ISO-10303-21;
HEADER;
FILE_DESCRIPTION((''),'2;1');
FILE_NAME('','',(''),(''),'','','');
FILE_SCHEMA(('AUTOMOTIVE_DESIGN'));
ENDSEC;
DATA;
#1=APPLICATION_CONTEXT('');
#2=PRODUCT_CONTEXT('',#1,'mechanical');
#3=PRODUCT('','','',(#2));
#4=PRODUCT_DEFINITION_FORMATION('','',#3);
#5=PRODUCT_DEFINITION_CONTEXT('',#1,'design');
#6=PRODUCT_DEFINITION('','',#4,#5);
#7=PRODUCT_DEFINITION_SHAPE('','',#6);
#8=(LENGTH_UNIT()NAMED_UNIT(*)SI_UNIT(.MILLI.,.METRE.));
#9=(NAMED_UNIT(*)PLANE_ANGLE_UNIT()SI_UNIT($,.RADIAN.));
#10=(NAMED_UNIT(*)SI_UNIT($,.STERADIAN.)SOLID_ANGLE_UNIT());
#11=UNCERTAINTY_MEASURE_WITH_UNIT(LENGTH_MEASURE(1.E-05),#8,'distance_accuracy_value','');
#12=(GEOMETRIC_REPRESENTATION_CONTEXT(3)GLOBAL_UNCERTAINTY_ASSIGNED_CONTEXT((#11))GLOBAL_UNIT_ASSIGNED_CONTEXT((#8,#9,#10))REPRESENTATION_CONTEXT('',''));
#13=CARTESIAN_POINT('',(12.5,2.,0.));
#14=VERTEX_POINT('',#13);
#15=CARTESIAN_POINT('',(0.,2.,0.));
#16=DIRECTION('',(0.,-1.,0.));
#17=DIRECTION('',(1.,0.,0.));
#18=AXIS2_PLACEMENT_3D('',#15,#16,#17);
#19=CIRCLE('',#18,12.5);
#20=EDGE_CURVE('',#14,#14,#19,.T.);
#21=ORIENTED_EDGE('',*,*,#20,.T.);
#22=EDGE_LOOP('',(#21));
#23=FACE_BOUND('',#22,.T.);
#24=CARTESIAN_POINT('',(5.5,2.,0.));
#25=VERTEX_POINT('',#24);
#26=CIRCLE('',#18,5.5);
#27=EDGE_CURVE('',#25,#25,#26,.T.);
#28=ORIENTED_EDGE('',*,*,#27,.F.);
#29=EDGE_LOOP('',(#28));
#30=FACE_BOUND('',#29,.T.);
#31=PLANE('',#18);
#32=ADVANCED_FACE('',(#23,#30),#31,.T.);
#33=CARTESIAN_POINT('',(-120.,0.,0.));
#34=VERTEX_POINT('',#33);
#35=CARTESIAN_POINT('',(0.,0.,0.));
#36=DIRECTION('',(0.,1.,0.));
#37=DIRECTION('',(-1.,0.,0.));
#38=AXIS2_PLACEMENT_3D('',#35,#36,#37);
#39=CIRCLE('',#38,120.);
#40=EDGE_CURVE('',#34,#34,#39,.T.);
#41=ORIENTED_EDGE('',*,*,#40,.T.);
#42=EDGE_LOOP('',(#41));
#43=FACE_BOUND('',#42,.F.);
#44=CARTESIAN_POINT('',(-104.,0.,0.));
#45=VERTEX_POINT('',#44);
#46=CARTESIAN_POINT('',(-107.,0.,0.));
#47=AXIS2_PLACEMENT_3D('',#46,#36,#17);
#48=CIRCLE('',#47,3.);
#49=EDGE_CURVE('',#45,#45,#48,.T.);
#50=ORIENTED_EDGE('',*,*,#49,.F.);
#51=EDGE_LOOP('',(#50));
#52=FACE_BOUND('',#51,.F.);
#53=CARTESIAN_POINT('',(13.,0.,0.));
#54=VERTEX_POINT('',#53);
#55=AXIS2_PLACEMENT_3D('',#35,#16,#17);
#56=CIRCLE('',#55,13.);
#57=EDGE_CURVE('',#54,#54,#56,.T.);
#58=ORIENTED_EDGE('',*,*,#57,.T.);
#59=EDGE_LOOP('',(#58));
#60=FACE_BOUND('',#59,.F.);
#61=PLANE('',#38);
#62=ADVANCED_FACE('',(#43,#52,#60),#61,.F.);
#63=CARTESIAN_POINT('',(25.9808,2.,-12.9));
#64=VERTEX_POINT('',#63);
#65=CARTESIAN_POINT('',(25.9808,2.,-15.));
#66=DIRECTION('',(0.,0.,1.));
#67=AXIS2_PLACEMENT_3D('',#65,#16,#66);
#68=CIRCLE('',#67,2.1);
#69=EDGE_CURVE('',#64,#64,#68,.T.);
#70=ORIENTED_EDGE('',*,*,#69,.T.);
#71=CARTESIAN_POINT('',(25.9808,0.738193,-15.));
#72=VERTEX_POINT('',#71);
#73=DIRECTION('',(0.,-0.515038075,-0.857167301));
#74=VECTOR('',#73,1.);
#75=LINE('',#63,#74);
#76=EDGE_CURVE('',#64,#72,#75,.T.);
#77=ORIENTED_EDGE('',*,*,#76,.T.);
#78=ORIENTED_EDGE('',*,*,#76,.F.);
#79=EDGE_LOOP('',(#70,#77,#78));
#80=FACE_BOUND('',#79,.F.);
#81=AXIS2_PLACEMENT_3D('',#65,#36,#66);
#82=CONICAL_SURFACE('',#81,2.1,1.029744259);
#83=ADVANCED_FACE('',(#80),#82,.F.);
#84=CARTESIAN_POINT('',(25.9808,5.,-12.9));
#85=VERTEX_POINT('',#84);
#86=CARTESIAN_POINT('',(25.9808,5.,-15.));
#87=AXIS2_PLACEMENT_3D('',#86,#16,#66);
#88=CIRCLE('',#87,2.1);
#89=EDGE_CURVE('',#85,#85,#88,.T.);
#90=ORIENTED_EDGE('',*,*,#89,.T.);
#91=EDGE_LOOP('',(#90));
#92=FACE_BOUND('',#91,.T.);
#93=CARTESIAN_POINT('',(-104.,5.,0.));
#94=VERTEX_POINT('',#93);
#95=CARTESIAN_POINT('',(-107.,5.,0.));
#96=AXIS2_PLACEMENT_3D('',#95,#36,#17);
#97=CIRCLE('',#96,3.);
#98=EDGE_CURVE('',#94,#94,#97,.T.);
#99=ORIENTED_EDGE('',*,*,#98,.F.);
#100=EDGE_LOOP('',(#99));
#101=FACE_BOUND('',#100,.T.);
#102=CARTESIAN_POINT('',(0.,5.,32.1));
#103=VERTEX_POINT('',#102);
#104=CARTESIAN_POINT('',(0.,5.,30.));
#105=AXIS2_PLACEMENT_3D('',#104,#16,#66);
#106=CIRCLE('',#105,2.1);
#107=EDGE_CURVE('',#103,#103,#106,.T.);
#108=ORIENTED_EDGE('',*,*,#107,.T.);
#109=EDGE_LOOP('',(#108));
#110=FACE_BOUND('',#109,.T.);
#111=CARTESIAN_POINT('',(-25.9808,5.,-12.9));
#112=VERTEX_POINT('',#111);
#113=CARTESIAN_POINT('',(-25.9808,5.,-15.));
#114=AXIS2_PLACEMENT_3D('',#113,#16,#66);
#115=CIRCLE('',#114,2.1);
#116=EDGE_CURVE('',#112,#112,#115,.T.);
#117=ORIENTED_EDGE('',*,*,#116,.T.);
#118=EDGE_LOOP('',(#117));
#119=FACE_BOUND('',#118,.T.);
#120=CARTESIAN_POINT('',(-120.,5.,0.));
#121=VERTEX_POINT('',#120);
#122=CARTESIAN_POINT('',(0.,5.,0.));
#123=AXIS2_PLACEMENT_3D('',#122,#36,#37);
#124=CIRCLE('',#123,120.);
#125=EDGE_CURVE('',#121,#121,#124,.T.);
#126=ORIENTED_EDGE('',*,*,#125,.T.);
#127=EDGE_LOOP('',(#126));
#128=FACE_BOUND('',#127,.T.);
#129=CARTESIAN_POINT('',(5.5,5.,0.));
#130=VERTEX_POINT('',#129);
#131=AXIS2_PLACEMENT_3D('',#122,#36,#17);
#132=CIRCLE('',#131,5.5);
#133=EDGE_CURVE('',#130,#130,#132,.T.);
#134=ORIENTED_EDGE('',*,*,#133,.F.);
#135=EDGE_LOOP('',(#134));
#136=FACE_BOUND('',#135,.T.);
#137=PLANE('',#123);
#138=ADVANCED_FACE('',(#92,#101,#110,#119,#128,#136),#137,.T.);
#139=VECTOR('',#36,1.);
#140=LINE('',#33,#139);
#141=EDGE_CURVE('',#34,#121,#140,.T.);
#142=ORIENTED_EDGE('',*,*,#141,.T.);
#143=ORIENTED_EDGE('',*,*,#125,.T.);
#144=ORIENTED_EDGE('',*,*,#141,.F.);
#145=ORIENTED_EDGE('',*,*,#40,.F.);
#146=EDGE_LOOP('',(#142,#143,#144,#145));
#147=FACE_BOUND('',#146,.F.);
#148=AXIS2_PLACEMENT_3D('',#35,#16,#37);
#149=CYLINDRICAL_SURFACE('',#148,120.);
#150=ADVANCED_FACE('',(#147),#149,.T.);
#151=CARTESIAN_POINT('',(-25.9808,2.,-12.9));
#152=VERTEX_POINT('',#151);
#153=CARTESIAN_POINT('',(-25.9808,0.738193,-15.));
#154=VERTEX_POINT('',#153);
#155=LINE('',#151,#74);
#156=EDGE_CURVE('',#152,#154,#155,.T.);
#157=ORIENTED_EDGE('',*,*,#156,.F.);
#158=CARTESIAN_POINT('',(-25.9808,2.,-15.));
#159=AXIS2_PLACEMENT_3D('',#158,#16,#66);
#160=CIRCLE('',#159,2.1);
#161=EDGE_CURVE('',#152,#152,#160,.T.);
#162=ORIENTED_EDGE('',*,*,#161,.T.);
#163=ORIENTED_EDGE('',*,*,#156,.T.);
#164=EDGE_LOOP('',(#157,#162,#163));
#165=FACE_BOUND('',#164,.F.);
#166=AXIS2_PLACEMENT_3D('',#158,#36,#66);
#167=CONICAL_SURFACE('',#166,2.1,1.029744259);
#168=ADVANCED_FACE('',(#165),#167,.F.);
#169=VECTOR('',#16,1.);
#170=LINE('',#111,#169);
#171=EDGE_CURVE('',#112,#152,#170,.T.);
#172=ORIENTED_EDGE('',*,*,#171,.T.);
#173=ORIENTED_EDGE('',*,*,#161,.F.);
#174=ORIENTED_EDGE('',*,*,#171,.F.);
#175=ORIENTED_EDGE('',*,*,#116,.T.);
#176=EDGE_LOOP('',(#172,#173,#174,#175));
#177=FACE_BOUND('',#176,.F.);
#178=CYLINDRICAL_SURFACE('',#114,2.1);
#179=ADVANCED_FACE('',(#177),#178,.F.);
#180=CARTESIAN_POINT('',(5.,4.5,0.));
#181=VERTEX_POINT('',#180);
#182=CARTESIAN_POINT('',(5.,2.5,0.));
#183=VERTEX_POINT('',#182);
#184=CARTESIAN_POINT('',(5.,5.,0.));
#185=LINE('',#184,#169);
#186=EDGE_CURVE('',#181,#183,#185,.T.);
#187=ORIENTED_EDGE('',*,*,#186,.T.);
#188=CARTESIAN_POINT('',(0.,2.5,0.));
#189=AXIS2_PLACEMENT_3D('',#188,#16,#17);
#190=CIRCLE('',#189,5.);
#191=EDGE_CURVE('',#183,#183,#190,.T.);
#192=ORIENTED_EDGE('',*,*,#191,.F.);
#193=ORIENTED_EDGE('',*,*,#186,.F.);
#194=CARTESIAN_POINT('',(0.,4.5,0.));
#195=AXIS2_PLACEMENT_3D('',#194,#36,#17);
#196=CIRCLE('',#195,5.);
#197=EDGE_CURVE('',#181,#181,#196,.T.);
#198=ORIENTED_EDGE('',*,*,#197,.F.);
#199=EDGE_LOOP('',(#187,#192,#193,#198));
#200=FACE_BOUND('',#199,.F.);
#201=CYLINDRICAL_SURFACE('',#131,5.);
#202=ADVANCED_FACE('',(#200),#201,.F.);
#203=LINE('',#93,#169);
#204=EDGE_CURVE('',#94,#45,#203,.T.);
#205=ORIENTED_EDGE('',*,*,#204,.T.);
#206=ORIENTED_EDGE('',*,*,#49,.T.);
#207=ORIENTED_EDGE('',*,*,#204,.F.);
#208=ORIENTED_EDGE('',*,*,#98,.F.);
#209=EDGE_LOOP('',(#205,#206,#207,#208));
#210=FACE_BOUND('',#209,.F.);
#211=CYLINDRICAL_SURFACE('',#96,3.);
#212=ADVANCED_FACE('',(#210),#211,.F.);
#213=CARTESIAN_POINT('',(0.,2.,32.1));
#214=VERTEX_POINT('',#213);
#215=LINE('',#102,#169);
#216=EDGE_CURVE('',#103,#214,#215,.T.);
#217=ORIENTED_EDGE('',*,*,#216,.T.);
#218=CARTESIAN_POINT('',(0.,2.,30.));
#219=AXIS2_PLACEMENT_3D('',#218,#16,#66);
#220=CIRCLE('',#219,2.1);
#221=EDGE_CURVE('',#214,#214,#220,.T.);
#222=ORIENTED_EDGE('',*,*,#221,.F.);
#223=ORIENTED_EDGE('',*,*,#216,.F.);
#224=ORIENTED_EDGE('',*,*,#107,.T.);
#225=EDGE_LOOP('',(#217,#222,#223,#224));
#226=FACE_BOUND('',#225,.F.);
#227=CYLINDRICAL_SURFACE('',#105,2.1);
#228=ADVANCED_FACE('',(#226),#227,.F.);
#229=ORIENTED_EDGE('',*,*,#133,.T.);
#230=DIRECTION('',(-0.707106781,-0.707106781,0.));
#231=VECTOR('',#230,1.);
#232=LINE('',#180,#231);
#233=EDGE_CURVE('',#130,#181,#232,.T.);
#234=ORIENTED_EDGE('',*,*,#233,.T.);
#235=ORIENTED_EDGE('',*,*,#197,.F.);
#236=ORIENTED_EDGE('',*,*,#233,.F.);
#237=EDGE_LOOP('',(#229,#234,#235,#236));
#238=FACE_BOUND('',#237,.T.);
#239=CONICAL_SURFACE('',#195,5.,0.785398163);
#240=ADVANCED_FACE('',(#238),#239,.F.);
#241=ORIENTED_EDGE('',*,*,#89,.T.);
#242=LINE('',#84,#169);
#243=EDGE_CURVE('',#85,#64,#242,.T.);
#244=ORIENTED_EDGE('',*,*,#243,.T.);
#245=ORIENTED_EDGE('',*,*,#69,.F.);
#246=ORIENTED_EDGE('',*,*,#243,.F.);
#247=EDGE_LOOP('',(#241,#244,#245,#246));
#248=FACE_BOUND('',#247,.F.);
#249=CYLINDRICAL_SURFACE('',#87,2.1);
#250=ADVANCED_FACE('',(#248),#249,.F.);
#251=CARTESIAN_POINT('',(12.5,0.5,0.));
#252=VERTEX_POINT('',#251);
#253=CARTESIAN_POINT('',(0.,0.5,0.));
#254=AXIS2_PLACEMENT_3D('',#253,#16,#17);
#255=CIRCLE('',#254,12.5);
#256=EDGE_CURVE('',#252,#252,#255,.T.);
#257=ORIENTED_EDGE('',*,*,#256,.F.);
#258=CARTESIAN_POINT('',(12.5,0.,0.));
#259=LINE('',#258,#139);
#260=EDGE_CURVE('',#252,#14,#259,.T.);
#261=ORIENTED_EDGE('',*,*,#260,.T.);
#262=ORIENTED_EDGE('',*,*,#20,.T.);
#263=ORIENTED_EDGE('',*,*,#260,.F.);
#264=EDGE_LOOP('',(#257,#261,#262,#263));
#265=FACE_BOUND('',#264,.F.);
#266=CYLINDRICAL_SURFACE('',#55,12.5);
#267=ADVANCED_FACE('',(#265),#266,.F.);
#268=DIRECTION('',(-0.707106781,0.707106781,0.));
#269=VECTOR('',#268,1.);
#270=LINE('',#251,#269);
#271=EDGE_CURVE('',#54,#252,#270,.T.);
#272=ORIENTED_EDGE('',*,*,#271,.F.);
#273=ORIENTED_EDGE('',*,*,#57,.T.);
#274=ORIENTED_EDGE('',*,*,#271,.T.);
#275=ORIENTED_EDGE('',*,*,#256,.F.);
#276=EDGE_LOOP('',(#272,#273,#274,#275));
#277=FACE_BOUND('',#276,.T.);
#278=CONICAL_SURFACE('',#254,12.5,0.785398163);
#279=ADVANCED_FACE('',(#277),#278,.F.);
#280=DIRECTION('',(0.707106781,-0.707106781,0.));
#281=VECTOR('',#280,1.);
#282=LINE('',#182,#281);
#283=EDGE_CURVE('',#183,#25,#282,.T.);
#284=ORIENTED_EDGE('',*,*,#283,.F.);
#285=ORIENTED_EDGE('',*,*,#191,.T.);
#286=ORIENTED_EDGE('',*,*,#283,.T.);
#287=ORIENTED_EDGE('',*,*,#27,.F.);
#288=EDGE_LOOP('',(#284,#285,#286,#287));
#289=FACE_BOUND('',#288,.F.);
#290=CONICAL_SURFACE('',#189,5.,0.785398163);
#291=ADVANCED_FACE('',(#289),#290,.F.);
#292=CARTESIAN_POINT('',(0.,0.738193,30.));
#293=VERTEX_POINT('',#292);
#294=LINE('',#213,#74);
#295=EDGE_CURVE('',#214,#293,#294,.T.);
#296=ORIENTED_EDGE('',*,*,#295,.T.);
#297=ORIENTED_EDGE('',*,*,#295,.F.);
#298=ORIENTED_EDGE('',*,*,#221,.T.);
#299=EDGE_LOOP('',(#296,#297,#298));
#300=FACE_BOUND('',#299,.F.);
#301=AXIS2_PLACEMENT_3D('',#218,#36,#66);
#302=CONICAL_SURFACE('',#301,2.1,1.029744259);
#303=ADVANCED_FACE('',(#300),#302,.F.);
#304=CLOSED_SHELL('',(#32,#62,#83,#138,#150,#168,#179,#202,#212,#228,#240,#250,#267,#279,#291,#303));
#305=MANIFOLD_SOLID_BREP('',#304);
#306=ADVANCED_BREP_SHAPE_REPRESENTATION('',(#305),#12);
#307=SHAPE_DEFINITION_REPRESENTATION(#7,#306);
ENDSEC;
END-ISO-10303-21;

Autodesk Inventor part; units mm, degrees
ref_plane "YZ Plane" through (0, 0, 0) normal (1, 0, 0) x (0, 1, 0)
ref_plane "XZ Plane" through (0, 0, 0) normal (0, 1, 0) x (-1, 0, 0)
ref_plane "XY Plane" through (0, 0, 0) normal (0, 0, 1) x (1, 0, 0)
sketch "Esquisse1" plane through (0, 0, 0) normal (0, 1, 0) x (-1, 0, 0)
  circle A0 centre (0, 0) radius 5 construction
  circle A1 centre (0, 0) radius 120
  dimension "d0" = 10
  dimension "d39" = 240
extrude "Extrusion1" add sketch "Esquisse1" along normal blind 5
sketch "Esquisse2" plane through (0, 5, 0) normal (0, 1, 0) x (1, 0, 0)
  circle A0 centre (0, 0) radius 5
  dimension "d5" = 10
extrude "Extrusion2" cut sketch "Esquisse2" against normal up to surface (5 mm away)
sketch "Esquisse3" plane through (0, 0, 0) normal (0, -1, 0) x (1, 0, 0)
  circle A0 centre (0, 0) radius 5 projected
  circle A1 centre (0, 0) radius 12.5
  dimension "d8" = 25
extrude "Extrusion3" cut sketch "Esquisse3" against normal blind 2
chamfer "Chanfrein1" distance 0.5 angle 45 3 edges at (-12.5, 0, 0) (-5, 2, 0) (-5, 5, 0)
sketch "Esquisse4" plane through (0, 5, 0) normal (0, 1, 0) x (1, 0, 0)
  point P0 (0, 0)
  point P1 (0, -30)
  point P2 (25.9808, 15)
  point P3 (-25.9808, 15)
  dimension "d14" = 30
  dimension "d17" = 360
hole "Perçage1" at (0, 5, 30) at (25.9808, 5, -15) at (-25.9808, 5, -15) direction (0, -1, 0) diameter 4.2 depth 3 tip angle 118
sketch "Esquisse6" plane through (0, 5, 0) normal (0, 1, 0) x (1, 0, 0)
  circle A0 centre (-107, 0) radius 3
  point P0 (0, 0)
  dimension "d42" = 6
  dimension "d43" = 107
extrude "Extrusion5" cut sketch "Esquisse6" against normal up to surface (5 mm away)
properties part number "tourelle"
